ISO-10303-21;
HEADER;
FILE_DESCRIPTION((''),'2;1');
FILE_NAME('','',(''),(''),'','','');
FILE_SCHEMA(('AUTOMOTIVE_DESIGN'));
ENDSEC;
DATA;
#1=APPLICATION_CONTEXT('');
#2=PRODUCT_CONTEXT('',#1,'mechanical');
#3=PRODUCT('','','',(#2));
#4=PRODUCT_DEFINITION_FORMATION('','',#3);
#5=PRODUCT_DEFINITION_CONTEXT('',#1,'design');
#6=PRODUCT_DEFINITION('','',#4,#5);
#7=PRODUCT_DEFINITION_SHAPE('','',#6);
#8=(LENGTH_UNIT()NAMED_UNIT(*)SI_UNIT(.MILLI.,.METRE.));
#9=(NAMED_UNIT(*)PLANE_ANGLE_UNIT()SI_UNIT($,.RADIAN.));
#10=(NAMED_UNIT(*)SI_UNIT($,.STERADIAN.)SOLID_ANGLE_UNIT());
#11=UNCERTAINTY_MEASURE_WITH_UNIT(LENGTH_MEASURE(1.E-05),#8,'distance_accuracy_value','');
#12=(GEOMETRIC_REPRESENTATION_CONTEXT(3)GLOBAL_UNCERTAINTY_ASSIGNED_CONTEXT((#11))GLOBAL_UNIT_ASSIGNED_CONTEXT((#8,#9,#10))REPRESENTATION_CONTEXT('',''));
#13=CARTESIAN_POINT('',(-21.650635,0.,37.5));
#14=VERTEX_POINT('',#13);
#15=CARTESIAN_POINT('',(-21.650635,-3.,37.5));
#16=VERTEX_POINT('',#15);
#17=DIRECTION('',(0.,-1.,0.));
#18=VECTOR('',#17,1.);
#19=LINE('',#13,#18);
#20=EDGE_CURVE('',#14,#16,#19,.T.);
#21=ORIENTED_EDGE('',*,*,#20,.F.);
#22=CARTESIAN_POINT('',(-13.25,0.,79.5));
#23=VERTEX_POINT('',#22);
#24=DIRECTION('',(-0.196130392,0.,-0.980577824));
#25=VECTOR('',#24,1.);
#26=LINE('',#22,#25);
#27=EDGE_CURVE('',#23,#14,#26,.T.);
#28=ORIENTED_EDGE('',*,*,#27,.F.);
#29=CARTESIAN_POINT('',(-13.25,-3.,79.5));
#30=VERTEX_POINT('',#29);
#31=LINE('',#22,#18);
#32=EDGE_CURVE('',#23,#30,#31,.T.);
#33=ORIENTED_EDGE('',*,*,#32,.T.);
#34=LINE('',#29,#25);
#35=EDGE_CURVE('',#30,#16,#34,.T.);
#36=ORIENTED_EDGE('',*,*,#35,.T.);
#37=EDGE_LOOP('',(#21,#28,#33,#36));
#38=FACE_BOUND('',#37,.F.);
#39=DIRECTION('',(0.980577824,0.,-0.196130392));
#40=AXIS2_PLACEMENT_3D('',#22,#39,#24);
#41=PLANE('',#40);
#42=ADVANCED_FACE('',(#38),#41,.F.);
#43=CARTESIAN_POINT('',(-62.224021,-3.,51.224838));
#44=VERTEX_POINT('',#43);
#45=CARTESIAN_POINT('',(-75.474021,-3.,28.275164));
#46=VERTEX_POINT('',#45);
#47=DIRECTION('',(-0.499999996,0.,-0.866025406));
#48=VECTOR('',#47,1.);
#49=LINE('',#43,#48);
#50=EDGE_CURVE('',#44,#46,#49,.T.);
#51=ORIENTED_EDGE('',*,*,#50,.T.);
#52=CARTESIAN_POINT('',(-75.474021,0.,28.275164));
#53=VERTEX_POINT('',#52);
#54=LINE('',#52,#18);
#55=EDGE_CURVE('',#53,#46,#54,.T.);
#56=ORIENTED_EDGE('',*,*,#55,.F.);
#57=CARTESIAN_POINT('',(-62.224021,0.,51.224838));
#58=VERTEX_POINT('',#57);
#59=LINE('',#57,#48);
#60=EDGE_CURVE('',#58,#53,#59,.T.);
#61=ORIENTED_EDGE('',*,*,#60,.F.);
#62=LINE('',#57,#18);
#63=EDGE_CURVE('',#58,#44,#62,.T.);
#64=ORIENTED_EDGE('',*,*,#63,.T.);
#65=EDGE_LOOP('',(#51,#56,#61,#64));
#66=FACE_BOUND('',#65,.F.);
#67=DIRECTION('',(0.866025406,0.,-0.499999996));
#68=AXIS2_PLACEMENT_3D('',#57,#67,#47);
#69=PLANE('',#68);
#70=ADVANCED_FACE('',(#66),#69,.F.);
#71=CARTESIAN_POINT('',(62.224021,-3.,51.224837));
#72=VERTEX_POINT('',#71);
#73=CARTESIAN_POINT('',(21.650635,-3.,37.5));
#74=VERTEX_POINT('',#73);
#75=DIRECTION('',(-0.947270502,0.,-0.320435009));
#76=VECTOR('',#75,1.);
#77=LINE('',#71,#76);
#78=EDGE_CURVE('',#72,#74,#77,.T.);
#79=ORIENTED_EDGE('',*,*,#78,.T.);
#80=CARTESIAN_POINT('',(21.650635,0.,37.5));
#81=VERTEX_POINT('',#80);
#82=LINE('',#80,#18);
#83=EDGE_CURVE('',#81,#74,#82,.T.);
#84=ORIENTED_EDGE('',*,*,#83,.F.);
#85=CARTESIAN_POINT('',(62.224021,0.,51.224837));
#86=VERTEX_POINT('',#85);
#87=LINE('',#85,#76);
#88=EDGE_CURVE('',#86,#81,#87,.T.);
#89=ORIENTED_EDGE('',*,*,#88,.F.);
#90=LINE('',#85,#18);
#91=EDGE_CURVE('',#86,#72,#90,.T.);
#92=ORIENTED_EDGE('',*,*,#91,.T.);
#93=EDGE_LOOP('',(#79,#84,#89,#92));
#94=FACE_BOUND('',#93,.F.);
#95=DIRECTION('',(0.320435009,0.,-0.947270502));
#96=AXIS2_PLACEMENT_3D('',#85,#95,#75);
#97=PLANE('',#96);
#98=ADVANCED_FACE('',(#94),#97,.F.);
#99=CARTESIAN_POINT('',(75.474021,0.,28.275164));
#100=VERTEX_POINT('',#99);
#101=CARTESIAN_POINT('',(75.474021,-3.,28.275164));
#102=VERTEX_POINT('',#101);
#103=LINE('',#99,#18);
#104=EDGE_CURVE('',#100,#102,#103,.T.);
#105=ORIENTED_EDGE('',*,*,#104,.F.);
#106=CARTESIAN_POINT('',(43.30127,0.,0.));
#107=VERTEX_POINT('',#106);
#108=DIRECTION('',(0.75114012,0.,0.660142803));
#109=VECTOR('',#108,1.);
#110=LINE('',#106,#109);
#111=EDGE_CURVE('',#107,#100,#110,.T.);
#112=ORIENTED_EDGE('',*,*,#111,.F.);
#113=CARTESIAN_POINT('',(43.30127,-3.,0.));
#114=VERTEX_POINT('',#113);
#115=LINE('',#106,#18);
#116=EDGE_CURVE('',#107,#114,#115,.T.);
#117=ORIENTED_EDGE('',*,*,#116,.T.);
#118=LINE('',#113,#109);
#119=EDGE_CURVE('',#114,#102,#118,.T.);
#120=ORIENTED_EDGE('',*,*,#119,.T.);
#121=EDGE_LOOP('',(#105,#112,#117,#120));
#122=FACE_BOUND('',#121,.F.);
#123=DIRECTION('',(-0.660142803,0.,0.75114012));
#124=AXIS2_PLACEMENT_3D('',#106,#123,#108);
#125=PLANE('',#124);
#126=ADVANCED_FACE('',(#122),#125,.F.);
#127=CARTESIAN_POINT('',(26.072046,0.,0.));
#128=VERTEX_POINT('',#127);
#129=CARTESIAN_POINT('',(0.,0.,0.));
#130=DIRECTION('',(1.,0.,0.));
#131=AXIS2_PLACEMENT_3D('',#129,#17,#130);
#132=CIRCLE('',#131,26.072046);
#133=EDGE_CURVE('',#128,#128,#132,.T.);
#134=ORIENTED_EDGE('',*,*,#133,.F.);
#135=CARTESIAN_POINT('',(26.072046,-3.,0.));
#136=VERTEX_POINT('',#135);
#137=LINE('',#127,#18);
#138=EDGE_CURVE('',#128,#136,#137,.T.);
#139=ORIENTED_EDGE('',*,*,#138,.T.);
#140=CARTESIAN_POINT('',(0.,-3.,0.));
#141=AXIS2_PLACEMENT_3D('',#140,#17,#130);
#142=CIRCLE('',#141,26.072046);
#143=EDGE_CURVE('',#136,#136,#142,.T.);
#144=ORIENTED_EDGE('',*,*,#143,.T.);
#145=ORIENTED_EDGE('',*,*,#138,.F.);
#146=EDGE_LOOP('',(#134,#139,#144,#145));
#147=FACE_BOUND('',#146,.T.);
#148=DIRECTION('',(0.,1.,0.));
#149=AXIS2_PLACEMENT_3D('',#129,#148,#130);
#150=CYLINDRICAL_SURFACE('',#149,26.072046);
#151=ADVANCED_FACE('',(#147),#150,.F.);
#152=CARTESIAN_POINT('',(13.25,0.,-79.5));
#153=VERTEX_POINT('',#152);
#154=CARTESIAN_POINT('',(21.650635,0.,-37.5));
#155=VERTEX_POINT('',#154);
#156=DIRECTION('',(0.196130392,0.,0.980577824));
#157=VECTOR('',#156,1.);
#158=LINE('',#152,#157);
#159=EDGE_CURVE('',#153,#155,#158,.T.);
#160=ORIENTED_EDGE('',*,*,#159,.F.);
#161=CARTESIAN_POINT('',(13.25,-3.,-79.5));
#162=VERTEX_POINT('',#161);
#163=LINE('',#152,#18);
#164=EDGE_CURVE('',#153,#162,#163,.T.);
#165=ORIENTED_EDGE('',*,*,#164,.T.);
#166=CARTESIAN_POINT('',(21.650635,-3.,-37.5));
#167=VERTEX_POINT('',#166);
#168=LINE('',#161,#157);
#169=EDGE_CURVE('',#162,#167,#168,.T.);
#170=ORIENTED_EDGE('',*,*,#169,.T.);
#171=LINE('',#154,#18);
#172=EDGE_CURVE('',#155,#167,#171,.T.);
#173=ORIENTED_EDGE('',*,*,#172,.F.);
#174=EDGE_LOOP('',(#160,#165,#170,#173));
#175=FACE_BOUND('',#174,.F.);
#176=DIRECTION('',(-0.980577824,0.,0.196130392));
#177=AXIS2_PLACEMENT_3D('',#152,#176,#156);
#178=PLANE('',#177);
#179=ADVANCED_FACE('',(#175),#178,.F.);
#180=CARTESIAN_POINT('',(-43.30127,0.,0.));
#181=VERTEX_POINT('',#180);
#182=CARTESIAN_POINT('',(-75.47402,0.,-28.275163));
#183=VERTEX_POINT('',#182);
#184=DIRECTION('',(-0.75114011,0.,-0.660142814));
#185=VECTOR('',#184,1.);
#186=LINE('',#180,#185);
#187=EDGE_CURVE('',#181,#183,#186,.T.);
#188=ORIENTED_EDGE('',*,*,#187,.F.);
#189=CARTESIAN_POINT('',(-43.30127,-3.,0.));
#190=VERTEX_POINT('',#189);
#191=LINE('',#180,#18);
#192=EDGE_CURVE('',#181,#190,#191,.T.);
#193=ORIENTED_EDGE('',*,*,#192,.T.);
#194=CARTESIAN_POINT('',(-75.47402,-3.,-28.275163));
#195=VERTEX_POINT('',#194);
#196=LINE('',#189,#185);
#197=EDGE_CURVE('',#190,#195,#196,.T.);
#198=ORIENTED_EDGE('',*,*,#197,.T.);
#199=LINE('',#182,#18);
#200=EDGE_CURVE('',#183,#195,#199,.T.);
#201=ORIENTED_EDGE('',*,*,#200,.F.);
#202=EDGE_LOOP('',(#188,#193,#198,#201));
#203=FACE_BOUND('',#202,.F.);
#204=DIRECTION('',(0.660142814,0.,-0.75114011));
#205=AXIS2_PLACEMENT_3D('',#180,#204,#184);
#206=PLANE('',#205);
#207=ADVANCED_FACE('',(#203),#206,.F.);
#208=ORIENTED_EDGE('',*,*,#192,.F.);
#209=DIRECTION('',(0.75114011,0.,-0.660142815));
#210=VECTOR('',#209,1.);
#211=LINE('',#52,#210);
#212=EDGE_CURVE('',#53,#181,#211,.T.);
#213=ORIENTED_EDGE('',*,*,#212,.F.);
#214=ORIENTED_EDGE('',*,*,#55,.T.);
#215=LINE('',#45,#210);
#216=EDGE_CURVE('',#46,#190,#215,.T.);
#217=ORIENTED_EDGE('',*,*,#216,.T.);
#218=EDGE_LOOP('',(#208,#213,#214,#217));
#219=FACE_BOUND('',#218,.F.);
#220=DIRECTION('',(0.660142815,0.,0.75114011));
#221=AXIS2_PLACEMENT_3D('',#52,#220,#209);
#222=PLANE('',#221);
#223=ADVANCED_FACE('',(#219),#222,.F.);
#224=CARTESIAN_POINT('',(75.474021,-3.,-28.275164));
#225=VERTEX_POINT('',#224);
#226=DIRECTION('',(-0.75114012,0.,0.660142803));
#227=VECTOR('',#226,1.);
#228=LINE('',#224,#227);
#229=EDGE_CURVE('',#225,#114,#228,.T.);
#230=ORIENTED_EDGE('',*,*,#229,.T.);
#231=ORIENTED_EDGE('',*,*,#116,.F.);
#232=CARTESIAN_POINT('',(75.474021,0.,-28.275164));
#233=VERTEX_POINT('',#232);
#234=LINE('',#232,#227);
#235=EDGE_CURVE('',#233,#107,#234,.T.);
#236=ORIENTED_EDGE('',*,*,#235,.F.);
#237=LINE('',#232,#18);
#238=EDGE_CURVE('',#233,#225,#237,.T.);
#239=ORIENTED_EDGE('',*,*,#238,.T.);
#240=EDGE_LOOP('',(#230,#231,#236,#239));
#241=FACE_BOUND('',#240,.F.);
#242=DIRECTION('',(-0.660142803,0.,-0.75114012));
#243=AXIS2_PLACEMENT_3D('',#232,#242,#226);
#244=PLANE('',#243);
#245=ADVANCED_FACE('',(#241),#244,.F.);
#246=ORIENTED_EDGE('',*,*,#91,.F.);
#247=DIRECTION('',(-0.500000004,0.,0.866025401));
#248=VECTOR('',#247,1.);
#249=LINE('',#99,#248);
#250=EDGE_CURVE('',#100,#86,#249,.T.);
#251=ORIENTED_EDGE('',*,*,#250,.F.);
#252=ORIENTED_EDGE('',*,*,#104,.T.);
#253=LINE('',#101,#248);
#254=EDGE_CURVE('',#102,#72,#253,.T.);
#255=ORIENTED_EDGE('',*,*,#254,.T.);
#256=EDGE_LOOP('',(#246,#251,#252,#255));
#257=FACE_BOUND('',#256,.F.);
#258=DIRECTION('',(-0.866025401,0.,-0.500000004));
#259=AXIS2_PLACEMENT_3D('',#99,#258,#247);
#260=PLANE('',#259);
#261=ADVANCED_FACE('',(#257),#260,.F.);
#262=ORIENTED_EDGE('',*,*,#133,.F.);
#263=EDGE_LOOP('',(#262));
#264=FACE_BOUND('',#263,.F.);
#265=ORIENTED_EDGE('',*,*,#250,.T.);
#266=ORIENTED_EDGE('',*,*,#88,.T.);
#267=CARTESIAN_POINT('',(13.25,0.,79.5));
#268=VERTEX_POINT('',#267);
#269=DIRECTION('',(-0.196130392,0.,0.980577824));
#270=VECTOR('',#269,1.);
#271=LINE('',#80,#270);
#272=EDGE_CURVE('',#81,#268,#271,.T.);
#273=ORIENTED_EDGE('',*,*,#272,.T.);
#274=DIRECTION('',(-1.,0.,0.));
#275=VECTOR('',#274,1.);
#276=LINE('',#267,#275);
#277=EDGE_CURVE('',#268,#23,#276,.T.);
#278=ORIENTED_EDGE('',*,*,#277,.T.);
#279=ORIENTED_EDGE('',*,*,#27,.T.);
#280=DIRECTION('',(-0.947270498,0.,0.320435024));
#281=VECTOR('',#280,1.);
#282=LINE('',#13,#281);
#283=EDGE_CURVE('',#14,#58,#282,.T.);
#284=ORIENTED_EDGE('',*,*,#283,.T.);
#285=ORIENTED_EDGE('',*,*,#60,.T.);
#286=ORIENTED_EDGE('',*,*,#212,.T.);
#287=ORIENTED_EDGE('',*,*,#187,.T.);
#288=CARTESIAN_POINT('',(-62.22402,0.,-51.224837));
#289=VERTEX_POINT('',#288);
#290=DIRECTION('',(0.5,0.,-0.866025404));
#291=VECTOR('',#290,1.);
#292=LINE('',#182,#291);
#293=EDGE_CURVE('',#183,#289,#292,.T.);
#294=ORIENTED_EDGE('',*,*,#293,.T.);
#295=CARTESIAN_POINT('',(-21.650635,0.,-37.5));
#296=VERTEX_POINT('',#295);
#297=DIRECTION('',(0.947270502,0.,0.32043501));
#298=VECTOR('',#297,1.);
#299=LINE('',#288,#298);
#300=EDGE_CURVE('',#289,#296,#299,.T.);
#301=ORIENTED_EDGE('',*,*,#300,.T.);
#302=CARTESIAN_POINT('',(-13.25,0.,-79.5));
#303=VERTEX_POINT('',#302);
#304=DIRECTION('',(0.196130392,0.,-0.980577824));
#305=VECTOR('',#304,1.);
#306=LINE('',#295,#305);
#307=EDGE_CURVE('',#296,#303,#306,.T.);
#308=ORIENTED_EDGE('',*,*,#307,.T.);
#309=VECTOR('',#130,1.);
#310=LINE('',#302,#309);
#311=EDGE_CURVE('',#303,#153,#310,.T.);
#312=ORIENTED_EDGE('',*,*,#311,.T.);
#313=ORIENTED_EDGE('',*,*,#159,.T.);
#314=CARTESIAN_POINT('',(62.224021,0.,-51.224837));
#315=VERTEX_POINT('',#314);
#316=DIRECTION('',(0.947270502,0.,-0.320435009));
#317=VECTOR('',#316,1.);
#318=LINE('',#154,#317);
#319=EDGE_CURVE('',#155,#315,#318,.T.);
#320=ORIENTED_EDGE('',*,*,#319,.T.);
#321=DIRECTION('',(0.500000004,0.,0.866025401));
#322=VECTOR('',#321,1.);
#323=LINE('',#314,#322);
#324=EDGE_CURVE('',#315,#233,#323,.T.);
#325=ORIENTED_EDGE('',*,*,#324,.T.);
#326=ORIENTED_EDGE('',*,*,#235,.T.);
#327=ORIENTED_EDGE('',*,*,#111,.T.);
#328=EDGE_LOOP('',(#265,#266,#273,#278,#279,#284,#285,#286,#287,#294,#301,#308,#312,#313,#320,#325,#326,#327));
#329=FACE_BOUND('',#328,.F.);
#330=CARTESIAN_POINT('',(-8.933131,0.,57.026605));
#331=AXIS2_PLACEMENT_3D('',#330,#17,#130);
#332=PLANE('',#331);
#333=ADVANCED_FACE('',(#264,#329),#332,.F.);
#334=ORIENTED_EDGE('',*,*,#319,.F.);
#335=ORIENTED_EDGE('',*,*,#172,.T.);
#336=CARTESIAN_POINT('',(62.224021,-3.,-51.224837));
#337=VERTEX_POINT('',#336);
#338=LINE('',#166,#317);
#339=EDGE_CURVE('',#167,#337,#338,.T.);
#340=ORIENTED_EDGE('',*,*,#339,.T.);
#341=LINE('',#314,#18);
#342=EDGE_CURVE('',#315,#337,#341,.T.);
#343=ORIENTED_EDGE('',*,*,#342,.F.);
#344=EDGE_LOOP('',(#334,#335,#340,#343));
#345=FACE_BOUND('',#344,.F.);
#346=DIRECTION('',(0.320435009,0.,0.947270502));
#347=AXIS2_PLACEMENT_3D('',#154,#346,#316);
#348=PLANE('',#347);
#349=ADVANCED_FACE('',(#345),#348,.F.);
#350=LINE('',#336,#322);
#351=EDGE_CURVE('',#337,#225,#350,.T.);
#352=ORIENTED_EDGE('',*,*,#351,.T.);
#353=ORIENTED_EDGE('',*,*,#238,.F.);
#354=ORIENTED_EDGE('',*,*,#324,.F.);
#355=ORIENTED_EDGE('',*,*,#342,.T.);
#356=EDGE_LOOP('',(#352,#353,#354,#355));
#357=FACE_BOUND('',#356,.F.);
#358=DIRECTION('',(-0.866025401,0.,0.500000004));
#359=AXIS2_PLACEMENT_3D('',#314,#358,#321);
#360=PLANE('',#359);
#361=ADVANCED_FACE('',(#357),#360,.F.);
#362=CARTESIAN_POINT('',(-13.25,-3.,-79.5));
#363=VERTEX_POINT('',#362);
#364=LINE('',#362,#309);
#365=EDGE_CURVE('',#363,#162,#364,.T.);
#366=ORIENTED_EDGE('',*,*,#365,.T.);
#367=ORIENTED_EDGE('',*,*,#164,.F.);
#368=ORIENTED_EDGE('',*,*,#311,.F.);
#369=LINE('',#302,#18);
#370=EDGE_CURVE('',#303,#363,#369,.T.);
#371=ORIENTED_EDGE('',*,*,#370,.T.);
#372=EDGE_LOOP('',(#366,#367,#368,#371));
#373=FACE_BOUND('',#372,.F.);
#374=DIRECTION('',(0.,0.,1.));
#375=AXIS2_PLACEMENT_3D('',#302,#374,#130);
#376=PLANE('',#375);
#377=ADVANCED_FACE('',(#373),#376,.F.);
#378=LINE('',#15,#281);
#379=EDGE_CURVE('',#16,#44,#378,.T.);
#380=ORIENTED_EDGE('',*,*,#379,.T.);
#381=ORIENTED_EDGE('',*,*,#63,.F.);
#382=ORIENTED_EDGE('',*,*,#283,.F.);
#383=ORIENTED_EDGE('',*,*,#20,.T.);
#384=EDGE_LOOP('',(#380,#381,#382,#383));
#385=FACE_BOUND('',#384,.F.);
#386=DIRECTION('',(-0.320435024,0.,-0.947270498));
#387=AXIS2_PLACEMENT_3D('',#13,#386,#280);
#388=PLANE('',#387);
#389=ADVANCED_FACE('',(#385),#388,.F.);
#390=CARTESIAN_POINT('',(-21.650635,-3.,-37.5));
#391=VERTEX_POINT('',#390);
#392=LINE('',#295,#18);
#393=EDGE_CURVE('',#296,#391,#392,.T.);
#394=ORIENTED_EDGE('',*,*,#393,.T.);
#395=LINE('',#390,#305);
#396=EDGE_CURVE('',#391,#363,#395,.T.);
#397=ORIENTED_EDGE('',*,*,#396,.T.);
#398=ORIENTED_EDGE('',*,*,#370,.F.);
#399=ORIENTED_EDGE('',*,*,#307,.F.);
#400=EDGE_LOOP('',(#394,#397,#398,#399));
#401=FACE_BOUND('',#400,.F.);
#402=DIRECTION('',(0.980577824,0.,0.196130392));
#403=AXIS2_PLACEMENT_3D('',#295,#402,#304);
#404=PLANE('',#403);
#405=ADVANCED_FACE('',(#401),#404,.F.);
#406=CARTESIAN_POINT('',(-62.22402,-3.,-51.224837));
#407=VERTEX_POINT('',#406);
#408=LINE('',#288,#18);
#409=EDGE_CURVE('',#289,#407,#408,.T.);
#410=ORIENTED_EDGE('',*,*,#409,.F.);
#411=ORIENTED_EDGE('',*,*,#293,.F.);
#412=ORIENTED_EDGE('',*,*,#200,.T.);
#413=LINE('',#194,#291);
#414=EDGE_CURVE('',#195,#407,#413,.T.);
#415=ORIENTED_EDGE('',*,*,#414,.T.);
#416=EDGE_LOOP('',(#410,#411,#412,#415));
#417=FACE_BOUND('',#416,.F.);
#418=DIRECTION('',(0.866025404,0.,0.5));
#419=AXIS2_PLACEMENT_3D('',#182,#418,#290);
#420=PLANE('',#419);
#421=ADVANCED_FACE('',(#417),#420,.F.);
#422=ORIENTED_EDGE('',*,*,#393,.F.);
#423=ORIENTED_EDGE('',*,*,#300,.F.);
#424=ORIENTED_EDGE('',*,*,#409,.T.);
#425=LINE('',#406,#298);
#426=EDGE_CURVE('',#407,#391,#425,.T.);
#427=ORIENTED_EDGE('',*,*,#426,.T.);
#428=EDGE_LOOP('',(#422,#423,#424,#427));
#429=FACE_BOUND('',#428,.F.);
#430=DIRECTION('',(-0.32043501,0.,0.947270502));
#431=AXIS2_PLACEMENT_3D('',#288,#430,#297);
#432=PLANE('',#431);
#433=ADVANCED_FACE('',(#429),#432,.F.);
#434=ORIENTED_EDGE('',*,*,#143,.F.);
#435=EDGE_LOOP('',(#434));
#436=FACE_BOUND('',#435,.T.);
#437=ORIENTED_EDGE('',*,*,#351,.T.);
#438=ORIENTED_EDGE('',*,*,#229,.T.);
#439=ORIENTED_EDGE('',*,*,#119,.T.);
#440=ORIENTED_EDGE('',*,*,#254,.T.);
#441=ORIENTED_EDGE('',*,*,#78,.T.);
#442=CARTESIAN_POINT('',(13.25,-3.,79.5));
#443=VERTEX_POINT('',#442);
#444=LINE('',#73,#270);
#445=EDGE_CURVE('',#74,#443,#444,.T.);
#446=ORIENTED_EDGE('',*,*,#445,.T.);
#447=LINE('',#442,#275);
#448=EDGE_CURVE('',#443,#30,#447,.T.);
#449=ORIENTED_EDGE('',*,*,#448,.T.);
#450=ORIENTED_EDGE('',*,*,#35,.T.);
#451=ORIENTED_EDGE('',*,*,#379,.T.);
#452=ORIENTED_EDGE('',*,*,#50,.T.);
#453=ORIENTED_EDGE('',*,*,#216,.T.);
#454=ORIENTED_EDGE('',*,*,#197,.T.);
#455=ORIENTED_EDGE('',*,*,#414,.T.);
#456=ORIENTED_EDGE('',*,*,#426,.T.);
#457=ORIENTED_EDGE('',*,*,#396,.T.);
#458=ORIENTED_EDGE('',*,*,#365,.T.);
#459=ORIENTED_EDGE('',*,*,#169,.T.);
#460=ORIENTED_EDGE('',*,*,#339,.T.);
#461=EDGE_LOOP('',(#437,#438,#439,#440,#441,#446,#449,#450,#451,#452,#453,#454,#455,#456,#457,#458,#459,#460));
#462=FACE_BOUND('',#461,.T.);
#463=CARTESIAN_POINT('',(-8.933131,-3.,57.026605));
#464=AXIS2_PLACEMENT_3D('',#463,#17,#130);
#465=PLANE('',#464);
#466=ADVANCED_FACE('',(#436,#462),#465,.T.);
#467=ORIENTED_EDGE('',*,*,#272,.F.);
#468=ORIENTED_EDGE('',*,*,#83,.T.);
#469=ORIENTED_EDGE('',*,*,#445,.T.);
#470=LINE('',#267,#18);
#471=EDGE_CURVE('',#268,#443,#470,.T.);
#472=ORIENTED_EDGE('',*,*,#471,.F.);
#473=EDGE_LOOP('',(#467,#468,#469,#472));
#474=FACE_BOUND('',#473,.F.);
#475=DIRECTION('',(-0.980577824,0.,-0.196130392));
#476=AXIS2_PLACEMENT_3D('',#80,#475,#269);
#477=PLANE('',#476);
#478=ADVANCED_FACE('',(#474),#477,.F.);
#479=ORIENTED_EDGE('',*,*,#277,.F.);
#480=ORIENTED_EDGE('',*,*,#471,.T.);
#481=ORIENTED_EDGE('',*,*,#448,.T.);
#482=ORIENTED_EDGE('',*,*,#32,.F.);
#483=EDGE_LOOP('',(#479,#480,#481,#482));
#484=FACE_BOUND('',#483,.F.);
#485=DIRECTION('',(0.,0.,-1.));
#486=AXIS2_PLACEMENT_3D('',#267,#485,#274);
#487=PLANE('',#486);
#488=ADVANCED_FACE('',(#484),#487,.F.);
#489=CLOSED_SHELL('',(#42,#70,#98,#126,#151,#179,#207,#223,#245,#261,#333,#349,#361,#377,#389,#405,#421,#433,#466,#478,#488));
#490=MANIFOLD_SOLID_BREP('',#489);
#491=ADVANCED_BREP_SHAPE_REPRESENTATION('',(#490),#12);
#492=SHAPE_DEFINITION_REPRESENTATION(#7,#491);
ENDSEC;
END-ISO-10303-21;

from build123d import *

# Parameters (mm, degrees)
F0_R     = 26.0720461281
F1_DEPTH = 3


with BuildPart() as f1:
    # F0 (on Front) → F1 (new body)
    with BuildSketch(Plane.XZ):
        Polygon((-13.25, 79.5), (-21.6506350946, 37.5), (0, 37.5), (0, 79.5), align=None)
        Polygon((0, 37.5), (-21.6506350946, 37.5), (-43.3012701892, 0), (-32.4759526419, -18.75), (-21.6506350946, -37.5), (0, -37.5), (21.6506350946, -37.5), (43.3012701892, 0), (21.6506350946, 37.5), align=None)
        Circle(F0_R, mode=Mode.SUBTRACT)
        Polygon((-43.3012701892, 0), (-21.6506350946, 37.5), (-62.2240208464, 51.2248376897), (-75.4740207353, 28.2751644252), align=None)
        Polygon((0, 79.5), (0, 37.5), (21.6506350946, 37.5), (13.25, 79.5), align=None)
        Polygon((-32.4759526419, -18.75), (-43.3012701892, 0), (-75.4740196009, -28.2751633999), (-68.8490196009, -39.75), align=None)
        Polygon((62.2240210561, 51.2248370699), (21.6506350946, 37.5), (43.3012701892, 0), (75.4740211672, 28.2751639337), align=None)
        Polygon((-21.6506350946, -37.5), (-32.4759526419, -18.75), (-68.8490196009, -39.75), (-62.2240196009, -51.2248366001), align=None)
        Polygon((75.4740211672, -28.2751639337), (43.3012701892, 0), (21.6506350946, -37.5), (62.2240210561, -51.2248370699), align=None)
        Polygon((0, -37.5), (-21.6506350946, -37.5), (-13.25, -79.5), (0, -79.5), align=None)
        Polygon((13.25, -79.5), (21.6506350946, -37.5), (0, -37.5), (0, -79.5), align=None)
    extrude(amount=F1_DEPTH)


solid = f1.part
